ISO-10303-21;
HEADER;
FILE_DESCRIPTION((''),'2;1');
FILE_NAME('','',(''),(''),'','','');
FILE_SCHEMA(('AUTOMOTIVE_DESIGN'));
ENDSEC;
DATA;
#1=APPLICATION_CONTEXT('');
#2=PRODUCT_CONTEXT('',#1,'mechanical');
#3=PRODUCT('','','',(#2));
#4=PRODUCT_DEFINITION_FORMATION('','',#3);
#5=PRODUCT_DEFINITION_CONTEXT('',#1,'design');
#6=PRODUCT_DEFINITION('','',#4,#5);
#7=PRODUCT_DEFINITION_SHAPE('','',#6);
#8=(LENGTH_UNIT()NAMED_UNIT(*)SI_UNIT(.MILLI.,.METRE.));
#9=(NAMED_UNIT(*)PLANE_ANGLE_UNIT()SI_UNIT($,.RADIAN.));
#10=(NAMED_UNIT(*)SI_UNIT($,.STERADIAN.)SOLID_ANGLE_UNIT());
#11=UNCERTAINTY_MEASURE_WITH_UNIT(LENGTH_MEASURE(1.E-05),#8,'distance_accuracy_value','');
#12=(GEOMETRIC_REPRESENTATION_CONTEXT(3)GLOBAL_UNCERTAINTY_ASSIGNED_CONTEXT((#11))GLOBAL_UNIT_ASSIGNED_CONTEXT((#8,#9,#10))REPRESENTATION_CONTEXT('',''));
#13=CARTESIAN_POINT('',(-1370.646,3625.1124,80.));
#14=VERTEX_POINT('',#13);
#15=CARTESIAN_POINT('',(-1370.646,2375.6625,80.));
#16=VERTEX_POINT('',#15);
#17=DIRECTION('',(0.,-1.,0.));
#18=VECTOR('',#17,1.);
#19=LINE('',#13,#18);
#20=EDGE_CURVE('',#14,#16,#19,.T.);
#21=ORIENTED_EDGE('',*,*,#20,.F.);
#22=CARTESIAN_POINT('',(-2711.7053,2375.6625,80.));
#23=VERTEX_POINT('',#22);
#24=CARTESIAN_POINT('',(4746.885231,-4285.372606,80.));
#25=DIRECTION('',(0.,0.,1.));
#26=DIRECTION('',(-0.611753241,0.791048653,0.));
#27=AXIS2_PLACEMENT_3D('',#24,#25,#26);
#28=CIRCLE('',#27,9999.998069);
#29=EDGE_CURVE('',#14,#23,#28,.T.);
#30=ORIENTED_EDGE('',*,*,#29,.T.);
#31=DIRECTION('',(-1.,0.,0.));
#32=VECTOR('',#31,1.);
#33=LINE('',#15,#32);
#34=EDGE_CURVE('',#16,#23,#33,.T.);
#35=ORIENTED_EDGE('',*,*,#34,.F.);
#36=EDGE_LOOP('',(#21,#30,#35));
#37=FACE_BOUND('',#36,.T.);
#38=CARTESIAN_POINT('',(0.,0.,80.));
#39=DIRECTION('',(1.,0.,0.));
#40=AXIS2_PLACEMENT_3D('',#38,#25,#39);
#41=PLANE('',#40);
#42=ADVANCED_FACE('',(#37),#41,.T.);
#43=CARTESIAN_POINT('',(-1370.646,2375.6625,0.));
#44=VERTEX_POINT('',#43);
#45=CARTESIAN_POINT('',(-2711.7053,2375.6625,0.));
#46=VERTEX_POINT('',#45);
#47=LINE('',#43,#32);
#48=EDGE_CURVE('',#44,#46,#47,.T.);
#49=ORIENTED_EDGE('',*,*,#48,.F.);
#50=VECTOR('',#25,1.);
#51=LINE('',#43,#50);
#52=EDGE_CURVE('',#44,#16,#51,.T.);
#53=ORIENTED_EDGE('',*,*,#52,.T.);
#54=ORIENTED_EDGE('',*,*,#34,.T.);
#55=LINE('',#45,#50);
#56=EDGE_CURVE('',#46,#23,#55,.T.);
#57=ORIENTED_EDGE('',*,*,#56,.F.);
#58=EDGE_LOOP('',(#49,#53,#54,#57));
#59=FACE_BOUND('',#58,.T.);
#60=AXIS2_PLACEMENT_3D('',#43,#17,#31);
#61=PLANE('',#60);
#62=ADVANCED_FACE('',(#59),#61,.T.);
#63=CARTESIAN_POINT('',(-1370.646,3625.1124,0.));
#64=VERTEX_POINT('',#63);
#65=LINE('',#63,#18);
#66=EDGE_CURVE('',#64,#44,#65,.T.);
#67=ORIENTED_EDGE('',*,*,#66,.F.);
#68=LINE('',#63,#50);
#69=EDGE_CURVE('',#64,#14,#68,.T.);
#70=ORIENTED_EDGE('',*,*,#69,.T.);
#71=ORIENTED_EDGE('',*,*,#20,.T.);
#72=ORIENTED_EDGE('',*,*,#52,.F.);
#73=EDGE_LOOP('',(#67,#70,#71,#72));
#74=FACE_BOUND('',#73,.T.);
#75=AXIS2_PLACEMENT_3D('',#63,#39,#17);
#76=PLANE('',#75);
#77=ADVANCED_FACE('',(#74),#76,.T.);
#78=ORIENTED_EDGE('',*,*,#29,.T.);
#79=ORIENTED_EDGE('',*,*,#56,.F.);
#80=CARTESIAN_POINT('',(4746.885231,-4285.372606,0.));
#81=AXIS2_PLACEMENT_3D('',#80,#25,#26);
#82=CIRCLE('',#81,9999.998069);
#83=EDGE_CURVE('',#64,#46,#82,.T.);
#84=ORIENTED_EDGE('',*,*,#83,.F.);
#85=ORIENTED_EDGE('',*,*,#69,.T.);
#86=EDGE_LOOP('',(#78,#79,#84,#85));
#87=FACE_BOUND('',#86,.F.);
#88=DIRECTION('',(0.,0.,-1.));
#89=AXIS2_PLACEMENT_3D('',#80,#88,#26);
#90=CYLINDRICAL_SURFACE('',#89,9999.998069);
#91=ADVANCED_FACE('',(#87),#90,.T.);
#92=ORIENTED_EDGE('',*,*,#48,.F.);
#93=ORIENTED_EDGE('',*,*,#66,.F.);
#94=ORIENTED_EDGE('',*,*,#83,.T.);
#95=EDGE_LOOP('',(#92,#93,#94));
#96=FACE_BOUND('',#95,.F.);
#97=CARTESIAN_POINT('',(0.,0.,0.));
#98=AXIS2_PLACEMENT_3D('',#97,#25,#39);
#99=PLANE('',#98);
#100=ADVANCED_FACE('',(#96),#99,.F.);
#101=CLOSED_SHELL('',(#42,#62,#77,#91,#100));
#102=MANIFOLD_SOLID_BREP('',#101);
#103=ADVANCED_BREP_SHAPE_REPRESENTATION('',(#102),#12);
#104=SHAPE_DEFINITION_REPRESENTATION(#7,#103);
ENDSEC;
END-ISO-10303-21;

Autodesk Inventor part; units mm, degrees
ref_plane "YZ Plane" through (0, 0, 0) normal (1, 0, 0) x (0, 1, 0)
ref_plane "XZ Plane" through (0, 0, 0) normal (0, 1, 0) x (-1, 0, 0)
ref_plane "XY Plane" through (0, 0, 0) normal (0, 0, 1) x (1, 0, 0)
sketch "Sketch1" plane through (0, 0, 0) normal (0, 0, 1) x (1, 0, 0)
  line L0 (-1370.646, 3625.1124) -> (-1370.646, 2375.6625)
  arc A0 (-1370.646, 3625.1124) -> (-2711.7053, 2375.6625) centre (4746.8865, -4285.3741) ccw
  line L1 (-1370.646, 2375.6625) -> (-2711.7053, 2375.6625)
extrude "Extrusion1" add sketch "Sketch1" along normal blind 80
properties part number "front_wall_block01" material "Wood (Maple)"
